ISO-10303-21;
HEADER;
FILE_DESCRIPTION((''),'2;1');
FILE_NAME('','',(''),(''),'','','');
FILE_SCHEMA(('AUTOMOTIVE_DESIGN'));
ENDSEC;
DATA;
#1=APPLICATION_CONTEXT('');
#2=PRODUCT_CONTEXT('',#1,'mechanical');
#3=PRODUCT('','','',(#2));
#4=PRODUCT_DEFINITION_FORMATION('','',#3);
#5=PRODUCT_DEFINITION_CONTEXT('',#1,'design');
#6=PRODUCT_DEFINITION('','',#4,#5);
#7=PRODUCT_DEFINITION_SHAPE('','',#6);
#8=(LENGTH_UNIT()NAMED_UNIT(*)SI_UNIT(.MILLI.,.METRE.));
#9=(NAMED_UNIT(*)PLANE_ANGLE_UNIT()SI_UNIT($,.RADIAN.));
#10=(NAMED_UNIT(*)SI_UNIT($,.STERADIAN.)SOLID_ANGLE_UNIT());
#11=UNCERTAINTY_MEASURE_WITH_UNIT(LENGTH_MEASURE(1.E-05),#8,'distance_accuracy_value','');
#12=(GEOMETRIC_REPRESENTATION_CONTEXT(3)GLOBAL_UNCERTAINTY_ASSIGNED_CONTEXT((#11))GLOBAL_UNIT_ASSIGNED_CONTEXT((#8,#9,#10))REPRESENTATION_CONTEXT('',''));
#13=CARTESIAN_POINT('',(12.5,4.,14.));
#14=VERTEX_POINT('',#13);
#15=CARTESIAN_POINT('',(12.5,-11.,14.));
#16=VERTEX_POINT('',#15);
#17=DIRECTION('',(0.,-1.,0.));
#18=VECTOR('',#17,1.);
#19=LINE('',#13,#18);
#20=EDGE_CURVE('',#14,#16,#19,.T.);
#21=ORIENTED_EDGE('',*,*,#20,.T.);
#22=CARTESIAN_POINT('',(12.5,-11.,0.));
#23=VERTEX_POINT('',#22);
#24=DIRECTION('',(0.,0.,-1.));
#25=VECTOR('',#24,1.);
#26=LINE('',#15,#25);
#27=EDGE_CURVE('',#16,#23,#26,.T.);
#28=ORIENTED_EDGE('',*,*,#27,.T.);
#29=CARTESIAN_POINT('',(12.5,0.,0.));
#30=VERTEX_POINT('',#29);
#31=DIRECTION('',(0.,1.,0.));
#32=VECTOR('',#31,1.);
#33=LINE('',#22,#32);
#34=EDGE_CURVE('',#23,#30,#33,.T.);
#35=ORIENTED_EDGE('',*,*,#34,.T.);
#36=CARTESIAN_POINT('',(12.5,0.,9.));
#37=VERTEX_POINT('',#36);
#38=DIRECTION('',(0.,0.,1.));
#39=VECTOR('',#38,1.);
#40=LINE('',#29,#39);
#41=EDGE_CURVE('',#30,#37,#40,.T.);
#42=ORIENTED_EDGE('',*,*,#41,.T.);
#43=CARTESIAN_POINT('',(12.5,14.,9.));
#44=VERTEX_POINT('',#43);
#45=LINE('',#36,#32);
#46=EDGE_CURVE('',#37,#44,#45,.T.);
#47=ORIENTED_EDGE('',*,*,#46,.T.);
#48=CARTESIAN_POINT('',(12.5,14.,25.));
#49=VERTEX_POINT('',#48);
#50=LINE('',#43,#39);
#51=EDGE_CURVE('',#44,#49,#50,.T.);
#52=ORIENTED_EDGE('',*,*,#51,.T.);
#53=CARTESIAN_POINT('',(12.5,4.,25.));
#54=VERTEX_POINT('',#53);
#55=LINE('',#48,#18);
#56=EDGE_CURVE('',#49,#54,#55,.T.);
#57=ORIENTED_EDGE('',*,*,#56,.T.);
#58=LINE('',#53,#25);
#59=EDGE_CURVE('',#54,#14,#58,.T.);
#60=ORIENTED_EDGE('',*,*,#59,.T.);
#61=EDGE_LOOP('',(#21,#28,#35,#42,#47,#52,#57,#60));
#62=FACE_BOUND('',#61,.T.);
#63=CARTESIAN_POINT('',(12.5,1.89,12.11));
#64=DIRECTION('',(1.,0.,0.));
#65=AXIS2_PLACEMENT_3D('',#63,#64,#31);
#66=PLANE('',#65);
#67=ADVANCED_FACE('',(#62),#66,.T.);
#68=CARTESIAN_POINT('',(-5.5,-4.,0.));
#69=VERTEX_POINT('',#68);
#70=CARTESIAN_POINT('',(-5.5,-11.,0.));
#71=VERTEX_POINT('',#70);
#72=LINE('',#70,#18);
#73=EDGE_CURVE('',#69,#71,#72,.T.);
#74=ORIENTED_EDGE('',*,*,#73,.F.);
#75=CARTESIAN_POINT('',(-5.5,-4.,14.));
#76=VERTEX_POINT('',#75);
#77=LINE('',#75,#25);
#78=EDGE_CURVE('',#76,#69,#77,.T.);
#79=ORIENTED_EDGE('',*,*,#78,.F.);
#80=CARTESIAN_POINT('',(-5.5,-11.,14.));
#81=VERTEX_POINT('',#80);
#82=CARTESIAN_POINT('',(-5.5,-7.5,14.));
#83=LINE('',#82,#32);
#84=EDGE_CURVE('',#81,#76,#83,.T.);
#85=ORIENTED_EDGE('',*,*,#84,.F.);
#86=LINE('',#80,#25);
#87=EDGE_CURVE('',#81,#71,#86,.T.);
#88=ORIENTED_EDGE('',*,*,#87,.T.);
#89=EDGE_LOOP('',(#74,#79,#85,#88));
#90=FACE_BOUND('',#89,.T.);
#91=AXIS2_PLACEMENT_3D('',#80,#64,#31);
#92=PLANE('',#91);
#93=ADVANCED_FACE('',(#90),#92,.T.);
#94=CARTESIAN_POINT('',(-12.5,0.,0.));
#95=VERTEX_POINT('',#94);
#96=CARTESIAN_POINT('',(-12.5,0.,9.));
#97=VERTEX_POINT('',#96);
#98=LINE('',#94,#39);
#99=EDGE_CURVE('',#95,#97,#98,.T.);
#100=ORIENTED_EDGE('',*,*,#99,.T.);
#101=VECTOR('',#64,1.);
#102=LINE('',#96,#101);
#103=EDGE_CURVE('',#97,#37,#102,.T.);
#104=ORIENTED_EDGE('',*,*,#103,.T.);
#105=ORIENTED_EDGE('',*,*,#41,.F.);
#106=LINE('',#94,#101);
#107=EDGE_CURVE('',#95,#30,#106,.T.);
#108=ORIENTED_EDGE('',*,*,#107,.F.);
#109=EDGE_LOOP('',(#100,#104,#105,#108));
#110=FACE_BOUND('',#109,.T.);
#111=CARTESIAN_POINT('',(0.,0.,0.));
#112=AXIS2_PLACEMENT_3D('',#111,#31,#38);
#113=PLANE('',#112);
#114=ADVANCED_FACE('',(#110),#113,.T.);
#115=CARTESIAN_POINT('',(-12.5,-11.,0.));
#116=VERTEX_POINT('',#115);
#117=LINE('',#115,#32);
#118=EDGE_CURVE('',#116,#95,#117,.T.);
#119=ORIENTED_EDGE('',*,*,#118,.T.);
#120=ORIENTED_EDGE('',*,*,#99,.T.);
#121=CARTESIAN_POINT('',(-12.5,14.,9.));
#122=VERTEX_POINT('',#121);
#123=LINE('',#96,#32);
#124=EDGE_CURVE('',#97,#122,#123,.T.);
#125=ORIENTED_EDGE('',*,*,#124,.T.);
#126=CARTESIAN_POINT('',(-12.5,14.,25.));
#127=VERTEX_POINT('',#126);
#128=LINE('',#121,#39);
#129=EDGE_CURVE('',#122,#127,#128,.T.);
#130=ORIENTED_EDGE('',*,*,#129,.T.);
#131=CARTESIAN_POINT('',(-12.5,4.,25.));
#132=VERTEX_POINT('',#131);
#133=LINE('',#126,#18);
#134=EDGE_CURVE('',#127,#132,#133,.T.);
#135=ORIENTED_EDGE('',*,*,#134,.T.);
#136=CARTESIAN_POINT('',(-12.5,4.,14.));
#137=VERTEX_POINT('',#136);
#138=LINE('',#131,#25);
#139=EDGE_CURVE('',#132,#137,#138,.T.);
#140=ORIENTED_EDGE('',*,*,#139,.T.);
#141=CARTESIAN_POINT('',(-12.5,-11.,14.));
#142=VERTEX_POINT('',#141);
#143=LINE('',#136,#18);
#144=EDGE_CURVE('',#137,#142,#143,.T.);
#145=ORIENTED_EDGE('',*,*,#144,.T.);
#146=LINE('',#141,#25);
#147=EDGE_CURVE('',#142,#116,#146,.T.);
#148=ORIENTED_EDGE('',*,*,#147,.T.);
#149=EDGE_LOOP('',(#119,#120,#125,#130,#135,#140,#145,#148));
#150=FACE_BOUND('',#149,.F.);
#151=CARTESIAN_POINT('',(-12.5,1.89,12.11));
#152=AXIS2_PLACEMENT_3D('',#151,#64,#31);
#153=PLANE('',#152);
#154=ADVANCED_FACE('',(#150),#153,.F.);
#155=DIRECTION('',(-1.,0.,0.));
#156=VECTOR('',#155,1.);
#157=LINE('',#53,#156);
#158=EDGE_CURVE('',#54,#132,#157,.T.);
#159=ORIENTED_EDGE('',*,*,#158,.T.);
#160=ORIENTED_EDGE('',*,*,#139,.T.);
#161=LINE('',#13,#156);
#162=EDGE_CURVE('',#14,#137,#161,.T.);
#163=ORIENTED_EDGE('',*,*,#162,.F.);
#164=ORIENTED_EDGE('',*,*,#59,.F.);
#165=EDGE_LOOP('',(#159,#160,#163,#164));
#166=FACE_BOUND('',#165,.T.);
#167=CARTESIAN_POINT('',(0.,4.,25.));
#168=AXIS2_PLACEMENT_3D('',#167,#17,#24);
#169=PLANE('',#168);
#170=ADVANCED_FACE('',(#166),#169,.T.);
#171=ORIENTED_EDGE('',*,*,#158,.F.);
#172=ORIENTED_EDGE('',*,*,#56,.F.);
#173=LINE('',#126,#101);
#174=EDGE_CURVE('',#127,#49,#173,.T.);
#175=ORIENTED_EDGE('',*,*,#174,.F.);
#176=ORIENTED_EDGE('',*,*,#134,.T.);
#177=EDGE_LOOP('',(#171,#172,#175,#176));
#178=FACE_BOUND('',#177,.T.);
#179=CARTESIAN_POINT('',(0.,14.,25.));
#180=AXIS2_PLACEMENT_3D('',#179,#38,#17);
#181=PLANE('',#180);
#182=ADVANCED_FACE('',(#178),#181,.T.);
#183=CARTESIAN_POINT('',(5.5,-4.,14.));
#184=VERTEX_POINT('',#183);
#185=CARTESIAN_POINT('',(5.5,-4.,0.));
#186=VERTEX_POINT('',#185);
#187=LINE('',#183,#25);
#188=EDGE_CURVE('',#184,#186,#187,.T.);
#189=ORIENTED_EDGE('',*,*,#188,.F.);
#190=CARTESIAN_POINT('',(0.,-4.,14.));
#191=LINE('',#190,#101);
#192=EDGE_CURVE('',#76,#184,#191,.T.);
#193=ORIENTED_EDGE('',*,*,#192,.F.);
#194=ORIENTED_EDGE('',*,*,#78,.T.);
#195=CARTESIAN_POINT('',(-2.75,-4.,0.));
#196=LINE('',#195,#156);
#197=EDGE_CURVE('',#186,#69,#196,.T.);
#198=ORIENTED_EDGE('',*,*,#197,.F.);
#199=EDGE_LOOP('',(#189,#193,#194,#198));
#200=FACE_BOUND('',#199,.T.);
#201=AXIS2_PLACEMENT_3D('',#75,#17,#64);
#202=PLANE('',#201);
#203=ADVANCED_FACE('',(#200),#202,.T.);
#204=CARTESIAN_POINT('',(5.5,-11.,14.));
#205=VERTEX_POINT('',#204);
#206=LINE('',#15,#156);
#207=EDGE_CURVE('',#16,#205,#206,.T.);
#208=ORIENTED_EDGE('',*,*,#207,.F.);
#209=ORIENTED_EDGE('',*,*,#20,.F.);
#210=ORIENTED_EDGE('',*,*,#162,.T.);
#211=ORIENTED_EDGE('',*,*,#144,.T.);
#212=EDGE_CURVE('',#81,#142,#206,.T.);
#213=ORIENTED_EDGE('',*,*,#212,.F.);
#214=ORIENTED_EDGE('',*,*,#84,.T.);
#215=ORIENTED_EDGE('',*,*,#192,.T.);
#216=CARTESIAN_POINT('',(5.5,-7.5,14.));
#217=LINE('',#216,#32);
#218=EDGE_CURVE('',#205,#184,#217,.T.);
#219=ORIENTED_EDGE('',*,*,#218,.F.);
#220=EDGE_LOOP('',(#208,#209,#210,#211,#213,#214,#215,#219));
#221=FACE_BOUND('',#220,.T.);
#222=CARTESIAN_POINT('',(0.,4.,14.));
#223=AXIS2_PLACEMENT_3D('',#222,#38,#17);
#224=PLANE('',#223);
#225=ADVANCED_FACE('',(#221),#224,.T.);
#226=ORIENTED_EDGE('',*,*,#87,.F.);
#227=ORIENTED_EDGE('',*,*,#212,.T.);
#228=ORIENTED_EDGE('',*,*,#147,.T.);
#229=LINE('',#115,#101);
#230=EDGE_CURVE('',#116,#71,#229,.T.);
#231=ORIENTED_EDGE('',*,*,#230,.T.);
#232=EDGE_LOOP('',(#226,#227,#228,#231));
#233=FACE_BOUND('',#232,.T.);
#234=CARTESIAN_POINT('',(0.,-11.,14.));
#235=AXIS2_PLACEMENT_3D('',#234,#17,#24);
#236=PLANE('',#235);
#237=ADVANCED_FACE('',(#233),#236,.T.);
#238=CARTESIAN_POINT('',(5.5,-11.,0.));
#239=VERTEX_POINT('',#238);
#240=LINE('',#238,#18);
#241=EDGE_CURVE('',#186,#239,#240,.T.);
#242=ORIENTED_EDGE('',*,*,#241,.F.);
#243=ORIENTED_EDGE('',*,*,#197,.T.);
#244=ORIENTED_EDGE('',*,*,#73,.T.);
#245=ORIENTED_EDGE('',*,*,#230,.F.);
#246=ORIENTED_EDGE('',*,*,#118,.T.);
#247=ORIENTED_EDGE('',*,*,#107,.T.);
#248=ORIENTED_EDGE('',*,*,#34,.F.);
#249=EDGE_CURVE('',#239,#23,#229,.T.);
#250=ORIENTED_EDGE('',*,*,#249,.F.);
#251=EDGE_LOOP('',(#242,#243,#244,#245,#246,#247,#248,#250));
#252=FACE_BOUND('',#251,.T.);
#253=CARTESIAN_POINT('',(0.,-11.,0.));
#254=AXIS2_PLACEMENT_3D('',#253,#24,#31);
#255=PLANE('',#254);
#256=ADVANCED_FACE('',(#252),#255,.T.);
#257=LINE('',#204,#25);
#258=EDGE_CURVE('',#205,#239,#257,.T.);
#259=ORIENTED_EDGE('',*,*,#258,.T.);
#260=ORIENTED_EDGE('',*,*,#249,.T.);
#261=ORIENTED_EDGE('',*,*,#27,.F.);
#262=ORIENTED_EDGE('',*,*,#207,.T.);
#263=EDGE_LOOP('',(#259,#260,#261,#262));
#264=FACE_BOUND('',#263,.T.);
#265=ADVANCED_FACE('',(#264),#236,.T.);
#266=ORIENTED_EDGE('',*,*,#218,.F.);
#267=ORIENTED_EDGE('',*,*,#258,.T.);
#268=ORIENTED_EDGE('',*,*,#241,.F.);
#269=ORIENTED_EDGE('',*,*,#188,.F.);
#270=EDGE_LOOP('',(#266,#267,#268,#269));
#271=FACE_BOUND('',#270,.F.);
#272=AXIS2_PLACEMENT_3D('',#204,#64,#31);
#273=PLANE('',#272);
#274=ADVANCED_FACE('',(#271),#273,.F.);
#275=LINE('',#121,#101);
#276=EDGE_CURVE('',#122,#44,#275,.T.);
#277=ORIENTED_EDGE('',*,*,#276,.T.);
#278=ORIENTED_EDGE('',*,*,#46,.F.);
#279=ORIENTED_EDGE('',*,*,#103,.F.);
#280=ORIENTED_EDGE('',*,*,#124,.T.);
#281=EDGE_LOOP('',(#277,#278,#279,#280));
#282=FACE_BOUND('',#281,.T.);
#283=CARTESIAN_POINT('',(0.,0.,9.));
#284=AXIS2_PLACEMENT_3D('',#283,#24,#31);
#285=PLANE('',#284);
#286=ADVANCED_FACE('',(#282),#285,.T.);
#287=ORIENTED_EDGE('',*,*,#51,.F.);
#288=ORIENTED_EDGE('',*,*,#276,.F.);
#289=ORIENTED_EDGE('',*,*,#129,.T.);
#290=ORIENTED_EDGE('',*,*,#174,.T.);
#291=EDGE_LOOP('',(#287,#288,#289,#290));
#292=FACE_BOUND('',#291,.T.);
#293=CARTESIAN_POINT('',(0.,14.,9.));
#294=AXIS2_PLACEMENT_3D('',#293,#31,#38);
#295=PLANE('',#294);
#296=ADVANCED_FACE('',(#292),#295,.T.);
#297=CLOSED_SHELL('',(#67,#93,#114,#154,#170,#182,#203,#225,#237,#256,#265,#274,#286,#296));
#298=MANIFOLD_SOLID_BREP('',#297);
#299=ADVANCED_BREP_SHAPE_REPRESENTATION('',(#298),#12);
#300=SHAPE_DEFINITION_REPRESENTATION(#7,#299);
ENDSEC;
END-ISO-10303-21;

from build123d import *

# Parameters (mm, degrees)
F1_DEPTH = 12.5
F2_W     = 11
F2_H     = 7
F3_DEPTH = 14.001


with BuildPart() as f1:
    # F0 (on Right) → F1 (new body, symmetric)
    with BuildSketch(Plane.YZ):
        Polygon((-11, 14), (-11, 0), (0, 0), (0, 9), (14, 9), (14, 25), (4, 25), (4, 14), align=None)
    extrude(amount=F1_DEPTH, both=True)

    # F2 (on face) → F3 (cut, through all)
    with BuildSketch(Plane.XY.offset(14)):
        with Locations((0, -7.5)):
            Rectangle(F2_W, F2_H)
    extrude(amount=-F3_DEPTH, mode=Mode.SUBTRACT)


solid = f1.part
